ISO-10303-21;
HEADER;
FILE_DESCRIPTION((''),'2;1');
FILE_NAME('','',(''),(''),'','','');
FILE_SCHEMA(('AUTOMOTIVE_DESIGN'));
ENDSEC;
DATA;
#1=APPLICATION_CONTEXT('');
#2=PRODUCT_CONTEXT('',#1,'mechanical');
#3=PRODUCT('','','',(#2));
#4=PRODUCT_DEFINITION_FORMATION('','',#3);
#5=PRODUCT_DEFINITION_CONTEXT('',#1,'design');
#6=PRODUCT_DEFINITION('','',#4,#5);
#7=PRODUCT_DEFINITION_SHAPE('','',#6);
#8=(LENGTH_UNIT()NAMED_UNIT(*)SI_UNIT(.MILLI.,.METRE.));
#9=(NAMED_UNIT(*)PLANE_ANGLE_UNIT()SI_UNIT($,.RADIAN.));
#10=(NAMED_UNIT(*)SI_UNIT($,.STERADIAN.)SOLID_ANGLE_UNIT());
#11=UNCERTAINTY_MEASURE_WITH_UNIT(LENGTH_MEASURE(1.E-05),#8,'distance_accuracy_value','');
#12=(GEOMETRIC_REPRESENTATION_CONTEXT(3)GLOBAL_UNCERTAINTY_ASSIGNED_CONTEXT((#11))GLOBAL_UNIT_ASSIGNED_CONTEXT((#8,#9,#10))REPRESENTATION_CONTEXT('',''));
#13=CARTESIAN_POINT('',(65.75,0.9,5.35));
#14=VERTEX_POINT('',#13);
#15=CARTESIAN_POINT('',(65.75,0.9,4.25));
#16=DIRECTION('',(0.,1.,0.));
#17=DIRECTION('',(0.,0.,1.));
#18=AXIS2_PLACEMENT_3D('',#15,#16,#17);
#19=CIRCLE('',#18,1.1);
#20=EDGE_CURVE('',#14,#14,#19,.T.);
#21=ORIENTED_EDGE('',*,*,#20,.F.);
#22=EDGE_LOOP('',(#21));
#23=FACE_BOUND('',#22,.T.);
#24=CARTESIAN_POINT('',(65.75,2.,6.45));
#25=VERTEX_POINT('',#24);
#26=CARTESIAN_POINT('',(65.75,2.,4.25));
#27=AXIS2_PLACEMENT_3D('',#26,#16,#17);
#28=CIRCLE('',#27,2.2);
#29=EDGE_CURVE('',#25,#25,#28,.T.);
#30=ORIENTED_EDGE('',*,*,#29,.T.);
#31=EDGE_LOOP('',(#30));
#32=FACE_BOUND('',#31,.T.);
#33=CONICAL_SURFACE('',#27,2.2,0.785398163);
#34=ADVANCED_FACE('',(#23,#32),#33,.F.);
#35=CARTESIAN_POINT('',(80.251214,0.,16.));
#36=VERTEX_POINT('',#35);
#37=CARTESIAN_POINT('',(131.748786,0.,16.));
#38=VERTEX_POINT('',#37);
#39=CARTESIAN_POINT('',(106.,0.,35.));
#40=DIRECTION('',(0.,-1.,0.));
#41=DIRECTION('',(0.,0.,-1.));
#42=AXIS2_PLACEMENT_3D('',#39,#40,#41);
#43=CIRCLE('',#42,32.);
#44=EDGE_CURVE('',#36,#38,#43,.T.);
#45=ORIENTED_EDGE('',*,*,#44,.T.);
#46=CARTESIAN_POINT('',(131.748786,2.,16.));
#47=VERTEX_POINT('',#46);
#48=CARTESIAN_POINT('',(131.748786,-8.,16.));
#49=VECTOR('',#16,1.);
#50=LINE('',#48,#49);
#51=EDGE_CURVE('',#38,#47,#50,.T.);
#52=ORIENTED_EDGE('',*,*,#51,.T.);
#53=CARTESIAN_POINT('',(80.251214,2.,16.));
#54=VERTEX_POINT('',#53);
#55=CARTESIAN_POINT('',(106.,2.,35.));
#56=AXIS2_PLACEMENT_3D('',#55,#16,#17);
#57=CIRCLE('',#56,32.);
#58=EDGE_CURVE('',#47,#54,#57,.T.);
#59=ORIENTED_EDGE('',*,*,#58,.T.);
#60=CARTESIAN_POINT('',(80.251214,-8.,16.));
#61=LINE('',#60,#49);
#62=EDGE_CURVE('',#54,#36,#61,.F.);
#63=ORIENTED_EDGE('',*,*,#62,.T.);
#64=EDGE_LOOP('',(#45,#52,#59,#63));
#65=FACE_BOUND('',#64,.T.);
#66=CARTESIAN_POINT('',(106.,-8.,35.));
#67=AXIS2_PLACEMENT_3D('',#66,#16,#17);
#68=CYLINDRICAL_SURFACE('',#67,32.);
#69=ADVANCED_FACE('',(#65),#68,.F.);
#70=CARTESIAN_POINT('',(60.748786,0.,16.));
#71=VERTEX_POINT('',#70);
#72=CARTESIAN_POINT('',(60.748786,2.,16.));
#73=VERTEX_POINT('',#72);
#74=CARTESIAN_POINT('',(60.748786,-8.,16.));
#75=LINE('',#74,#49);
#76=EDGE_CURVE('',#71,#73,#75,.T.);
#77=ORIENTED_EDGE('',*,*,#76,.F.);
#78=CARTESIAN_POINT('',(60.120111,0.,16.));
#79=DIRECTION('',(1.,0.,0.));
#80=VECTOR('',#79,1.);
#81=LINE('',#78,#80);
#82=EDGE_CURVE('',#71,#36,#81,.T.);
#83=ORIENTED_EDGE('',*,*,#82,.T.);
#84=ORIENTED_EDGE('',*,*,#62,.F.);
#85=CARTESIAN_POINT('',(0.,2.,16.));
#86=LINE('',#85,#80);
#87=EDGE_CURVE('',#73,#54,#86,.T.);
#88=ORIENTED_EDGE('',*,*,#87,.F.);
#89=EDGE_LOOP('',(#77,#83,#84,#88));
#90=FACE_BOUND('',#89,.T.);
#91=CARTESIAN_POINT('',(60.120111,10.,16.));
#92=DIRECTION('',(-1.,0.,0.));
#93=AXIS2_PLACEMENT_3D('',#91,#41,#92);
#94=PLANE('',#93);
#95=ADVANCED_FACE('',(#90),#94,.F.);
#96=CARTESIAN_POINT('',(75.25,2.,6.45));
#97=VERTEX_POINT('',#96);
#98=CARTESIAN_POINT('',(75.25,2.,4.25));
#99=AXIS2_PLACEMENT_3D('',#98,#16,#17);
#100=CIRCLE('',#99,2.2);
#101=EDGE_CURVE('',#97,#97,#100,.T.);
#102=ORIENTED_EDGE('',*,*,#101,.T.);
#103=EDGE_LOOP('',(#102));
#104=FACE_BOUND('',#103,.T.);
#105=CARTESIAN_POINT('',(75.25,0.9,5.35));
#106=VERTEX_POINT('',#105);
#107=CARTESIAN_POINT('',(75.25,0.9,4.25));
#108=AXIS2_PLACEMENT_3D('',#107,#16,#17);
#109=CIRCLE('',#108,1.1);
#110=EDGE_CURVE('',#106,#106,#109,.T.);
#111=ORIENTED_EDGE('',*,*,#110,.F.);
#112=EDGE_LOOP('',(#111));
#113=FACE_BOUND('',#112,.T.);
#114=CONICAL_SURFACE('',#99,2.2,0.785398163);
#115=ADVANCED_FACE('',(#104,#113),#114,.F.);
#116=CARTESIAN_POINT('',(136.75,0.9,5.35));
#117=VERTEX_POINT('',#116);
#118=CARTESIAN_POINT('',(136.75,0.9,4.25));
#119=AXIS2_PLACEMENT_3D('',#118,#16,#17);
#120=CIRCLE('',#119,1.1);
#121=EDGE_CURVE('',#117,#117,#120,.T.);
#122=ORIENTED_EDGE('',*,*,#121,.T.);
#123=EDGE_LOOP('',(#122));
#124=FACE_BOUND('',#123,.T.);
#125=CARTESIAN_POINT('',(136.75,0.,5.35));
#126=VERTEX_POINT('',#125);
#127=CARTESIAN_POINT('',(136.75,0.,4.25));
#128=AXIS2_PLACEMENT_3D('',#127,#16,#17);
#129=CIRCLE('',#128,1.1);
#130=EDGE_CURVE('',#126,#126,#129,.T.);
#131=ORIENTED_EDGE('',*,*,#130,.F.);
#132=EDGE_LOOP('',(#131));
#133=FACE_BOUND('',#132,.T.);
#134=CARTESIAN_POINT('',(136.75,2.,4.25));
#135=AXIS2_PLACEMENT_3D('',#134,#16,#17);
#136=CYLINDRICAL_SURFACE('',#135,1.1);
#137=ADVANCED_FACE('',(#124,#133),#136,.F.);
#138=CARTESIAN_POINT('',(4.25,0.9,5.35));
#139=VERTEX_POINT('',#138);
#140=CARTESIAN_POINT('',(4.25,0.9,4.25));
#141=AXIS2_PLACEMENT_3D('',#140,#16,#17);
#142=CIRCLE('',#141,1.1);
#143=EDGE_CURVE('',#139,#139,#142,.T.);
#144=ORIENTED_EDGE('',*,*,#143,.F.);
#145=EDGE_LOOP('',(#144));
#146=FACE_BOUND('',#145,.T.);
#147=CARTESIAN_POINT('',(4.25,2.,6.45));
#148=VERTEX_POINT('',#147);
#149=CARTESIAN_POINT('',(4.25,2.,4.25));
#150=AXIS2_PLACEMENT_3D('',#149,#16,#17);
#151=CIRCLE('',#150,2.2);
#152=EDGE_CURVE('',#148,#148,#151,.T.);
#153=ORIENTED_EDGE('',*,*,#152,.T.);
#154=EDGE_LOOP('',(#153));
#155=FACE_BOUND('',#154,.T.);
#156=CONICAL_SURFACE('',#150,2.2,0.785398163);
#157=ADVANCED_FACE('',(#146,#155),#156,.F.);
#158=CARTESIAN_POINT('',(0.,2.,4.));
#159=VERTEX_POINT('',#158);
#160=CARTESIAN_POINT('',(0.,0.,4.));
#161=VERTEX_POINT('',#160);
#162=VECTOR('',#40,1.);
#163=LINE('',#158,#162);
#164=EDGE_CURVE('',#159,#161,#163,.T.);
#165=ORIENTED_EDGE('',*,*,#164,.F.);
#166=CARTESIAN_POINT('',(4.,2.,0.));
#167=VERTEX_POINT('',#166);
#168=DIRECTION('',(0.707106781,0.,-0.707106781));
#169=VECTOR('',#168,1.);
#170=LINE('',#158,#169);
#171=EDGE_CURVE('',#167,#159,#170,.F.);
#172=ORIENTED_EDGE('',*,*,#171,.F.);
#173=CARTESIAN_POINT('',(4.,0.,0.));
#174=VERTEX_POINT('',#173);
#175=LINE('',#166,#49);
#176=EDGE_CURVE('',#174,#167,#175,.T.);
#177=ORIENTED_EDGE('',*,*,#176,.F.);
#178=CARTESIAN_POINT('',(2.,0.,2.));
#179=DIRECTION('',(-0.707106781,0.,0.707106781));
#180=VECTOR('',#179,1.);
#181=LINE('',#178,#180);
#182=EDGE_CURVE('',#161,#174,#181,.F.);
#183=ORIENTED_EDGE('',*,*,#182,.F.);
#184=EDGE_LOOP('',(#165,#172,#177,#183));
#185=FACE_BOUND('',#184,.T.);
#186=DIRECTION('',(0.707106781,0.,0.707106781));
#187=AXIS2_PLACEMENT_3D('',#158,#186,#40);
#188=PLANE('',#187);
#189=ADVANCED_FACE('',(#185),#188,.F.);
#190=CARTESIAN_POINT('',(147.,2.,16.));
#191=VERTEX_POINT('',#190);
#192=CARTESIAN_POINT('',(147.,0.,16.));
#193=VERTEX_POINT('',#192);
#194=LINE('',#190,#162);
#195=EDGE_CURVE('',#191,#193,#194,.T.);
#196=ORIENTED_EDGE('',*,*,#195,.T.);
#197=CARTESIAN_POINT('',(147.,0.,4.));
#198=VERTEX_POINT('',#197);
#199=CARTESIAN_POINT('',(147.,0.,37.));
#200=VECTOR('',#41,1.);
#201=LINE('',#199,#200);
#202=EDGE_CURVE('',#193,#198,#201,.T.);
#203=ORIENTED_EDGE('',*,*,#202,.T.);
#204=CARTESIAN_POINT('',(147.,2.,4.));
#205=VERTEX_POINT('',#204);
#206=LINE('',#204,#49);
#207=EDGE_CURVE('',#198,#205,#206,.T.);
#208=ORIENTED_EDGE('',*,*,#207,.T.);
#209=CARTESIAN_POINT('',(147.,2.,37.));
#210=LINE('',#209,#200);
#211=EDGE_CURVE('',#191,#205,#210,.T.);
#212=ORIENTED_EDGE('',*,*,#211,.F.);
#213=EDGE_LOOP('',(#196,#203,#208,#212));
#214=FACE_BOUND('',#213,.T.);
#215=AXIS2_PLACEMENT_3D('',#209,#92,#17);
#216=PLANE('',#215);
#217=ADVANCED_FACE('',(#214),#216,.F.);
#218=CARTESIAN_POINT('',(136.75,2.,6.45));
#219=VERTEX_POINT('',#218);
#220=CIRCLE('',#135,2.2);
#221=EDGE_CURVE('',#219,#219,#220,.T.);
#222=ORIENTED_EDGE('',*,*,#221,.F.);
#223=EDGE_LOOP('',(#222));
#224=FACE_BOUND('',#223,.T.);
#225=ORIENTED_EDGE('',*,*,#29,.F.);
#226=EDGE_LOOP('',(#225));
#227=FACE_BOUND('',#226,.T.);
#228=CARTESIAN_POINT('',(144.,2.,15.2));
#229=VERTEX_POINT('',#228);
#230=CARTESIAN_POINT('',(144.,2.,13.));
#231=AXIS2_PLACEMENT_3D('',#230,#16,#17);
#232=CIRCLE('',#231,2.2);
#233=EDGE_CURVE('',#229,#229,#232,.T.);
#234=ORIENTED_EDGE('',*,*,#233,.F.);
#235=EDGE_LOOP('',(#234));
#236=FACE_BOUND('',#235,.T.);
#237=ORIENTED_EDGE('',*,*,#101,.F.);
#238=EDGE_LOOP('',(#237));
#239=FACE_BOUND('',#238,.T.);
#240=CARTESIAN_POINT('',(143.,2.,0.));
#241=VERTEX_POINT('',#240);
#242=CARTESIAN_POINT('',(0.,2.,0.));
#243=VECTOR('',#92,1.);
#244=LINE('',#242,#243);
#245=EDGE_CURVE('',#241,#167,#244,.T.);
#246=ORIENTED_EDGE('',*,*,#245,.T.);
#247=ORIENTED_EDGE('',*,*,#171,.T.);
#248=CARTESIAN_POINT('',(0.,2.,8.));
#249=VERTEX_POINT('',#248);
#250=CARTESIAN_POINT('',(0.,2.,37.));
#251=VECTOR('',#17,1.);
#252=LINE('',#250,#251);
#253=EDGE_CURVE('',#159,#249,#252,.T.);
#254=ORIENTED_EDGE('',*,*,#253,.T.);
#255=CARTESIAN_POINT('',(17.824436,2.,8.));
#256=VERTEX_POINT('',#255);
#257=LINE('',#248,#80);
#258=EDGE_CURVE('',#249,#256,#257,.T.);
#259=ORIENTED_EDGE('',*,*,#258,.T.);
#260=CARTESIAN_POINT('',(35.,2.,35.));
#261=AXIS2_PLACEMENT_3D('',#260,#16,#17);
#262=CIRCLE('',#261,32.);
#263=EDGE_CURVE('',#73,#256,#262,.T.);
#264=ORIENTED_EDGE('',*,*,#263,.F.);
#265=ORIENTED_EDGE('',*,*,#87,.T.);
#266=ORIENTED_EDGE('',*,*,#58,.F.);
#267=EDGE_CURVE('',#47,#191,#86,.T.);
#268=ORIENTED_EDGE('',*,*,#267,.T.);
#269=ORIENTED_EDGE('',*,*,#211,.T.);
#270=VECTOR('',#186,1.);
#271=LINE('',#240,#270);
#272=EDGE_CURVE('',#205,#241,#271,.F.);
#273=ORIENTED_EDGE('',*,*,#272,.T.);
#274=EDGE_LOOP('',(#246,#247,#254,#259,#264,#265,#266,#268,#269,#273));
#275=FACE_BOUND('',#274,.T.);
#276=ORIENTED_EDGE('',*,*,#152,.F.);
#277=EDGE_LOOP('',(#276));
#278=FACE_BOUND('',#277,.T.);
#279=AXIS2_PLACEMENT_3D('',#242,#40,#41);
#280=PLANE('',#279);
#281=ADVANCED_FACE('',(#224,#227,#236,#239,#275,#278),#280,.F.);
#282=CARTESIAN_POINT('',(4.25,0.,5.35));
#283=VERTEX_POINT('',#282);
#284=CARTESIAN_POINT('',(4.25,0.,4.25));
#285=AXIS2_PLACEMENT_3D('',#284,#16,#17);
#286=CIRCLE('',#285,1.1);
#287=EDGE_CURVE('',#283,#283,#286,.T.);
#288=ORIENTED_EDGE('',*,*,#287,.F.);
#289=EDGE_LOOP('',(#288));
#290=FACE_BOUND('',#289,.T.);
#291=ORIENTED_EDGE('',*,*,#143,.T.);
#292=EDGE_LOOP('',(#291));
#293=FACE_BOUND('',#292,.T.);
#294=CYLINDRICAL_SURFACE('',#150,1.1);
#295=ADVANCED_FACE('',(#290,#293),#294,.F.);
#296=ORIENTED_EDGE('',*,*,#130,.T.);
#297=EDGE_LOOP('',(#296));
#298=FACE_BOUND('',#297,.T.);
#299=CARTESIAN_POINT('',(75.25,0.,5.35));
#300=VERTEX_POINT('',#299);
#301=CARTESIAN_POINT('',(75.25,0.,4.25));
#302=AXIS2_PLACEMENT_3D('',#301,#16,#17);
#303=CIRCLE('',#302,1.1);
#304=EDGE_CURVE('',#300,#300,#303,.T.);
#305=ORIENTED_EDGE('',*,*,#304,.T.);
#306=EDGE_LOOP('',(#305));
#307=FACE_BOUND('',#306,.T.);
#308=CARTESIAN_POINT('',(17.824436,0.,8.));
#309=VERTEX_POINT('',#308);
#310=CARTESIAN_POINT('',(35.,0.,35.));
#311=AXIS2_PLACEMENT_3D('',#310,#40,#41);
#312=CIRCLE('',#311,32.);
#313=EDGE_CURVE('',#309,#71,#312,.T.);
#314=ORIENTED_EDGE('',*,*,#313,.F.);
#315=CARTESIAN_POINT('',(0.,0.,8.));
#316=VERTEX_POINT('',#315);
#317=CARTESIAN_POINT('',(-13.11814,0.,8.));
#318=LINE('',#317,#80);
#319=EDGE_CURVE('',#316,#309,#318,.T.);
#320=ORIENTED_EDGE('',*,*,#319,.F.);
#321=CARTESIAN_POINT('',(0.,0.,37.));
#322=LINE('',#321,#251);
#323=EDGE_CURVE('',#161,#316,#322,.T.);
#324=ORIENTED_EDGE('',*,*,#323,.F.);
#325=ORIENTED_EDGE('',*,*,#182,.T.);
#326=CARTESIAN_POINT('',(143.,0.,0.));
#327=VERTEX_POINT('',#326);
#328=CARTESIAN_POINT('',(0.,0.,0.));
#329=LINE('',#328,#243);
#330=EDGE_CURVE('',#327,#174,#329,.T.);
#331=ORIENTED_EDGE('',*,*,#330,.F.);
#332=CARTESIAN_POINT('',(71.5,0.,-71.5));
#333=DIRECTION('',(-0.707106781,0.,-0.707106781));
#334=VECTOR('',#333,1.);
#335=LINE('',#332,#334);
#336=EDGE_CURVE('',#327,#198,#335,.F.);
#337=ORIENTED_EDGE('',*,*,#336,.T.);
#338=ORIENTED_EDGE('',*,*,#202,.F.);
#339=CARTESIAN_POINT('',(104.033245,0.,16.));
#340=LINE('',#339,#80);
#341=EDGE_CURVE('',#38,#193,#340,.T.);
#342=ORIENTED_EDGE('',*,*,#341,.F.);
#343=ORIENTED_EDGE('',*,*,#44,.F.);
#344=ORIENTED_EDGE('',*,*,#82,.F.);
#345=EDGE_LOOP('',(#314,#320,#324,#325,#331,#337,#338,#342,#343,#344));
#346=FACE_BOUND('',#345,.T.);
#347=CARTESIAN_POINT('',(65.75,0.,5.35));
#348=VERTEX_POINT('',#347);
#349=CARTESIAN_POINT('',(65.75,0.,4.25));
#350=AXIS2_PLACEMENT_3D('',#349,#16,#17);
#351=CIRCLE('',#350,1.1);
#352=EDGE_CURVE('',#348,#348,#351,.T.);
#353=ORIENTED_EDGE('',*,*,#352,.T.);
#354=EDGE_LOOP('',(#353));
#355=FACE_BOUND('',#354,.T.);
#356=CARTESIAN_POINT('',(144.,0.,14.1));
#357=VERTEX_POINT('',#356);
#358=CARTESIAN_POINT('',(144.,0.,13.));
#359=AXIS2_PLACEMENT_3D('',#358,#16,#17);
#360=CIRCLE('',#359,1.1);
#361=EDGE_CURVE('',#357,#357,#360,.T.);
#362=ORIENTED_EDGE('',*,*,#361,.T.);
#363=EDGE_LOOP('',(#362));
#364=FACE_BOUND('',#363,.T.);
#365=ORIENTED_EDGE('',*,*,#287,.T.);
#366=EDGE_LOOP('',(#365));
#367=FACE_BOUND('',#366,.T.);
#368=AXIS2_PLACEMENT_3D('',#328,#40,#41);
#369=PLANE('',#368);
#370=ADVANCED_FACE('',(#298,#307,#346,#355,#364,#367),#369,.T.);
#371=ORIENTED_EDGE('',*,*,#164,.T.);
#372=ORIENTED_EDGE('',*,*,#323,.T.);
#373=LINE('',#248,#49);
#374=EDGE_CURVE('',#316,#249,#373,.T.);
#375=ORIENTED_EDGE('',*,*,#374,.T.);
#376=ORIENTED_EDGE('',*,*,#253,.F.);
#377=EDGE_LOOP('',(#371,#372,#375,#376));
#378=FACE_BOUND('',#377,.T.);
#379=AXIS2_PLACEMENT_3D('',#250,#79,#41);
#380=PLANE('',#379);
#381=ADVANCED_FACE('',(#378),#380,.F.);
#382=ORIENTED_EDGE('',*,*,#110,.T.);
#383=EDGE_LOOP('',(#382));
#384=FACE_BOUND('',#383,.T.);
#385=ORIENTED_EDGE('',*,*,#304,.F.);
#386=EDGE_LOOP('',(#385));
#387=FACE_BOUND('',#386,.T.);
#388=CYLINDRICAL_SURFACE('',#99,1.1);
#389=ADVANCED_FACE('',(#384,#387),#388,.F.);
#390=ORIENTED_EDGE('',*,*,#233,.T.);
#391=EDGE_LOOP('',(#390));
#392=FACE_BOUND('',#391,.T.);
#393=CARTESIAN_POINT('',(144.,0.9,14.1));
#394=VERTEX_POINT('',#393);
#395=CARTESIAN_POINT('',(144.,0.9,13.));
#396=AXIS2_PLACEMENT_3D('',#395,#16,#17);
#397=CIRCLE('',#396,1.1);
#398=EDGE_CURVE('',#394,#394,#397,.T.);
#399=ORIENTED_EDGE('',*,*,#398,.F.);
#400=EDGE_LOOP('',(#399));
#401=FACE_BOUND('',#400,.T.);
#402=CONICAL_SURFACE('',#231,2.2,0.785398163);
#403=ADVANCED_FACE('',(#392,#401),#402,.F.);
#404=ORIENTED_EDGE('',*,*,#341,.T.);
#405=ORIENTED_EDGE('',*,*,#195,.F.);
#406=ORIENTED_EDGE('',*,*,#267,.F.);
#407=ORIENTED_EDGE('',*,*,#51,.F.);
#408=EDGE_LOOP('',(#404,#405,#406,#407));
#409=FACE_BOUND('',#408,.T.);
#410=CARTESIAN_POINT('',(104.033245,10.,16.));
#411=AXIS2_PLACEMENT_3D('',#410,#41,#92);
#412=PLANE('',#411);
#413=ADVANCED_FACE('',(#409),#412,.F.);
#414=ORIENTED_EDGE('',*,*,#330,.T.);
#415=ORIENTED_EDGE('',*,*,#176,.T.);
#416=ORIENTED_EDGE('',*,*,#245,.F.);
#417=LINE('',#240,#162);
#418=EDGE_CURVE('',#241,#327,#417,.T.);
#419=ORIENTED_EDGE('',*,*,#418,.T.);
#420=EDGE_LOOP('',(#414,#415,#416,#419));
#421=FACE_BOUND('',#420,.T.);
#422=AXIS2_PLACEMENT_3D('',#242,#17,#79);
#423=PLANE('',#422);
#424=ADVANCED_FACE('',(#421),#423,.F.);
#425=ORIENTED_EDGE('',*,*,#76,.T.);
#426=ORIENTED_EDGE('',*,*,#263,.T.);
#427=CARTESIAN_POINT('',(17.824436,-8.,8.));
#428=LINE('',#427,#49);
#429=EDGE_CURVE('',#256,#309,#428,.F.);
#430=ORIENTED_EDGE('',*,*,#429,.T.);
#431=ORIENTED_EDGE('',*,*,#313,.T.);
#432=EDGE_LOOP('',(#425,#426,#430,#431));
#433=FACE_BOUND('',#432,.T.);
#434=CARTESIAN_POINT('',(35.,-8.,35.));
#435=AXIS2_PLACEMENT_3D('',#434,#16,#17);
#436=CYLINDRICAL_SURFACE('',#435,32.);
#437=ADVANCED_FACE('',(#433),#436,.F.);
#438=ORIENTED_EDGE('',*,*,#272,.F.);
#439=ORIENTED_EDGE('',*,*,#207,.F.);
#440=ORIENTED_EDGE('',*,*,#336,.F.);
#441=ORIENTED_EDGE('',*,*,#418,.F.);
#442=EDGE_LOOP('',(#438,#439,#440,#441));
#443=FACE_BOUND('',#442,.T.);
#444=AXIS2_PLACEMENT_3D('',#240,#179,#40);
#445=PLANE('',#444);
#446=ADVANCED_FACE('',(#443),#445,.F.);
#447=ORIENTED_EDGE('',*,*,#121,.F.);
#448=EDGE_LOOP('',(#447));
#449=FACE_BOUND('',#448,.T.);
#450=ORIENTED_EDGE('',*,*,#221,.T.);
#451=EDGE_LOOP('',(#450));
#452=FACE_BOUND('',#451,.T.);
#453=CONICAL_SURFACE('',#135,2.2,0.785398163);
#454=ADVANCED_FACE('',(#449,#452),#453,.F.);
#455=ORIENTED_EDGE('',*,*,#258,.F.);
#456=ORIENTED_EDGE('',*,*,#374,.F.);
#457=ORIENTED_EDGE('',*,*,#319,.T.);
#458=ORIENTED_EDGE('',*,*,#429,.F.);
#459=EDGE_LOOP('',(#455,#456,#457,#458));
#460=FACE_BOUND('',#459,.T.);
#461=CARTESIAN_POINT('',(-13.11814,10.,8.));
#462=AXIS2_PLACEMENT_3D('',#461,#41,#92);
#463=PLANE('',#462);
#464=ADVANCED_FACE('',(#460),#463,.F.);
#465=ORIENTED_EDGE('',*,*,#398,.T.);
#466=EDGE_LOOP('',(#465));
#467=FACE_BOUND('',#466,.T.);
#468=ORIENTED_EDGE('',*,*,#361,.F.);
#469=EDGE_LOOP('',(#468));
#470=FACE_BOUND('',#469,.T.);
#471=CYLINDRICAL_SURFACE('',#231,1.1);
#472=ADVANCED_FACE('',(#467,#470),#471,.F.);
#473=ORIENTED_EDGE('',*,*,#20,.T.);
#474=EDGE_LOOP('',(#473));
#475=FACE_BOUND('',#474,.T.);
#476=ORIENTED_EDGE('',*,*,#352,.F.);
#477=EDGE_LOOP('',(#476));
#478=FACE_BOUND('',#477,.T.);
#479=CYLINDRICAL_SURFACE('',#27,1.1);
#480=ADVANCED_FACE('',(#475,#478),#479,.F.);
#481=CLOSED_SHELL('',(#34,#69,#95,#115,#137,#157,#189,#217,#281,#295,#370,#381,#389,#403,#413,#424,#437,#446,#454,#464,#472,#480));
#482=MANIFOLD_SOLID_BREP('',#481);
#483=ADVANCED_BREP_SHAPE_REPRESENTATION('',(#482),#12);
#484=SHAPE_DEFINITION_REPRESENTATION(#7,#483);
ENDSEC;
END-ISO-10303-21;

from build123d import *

# Parameters (mm, degrees)
SKETCH_1_W               = 147
SKETCH_1_H               = 37
EXTRUDE_1_DEPTH          = 2
SKETCH_2_R               = 1
CUT_EXTRUDE_604_DEPTH    = 2
SKETCH_5_R               = 1
SKETCH_5_R_2             = 32
FANS_DEPTH               = 10
CHAMFER_1_SIZE           = 4
SKETCH_6_W               = 44.721110511
SKETCH_6_H               = 34.816534288
SKETCH_6_W_2             = 53.357784661
SKETCH_6_W_3             = 25.346191928
SKETCH_6_H_2             = 23.882814665
CUT_EXTRUDE_1_DEPTH      = 10
HOLE_WIZARD_1_AT_2_COUNT = 2
HOLE_WIZARD_1_AT_2_PITCH = 61.5
HOLE_WIZARD_1_AT_3_COUNT = 2
HOLE_WIZARD_1_AT_3_PITCH = 71
HOLE_WIZARD_1_AT_4_COUNT = 2
HOLE_WIZARD_1_AT_4_PITCH = 132.5
HOLE_WIZARD_1_AT_5_COUNT = 2
HOLE_WIZARD_1_AT_5_PITCH = 140.023658715


with BuildPart() as part:
    # 草图1 → 凸台-拉伸1 (new body)
    with BuildSketch(Plane(origin=(0, 0, 0), x_dir=(1, 0, 0), z_dir=(0, 1, 0))):
        with Locations((73.5, -18.5)):
            Rectangle(SKETCH_1_W, SKETCH_1_H)
    extrude(amount=EXTRUDE_1_DEPTH)

    # 草图2 → Cut-Extrude 604 (cut)
    with BuildSketch(Plane(origin=(0, 2, 0), x_dir=(1, 0, 0), z_dir=(0, 1, 0))):
        with Locations(Location((144, -13, 0), (0, 0, 270))):
            Circle(SKETCH_2_R)
    extrude(amount=-CUT_EXTRUDE_604_DEPTH, mode=Mode.SUBTRACT)

    # 草图5 → Fans (cut)
    with BuildSketch(Plane(origin=(0, 2, 0), x_dir=(1, 0, 0), z_dir=(0, 1, 0))):
        with Locations(Location((75.25, -4.25, 0), (0, 0, 270))):
            Circle(SKETCH_5_R)
        with Locations(Location((136.75, -4.25, 0), (0, 0, 270))):
            Circle(SKETCH_5_R)
        with Locations((106, -35)):
            Circle(SKETCH_5_R_2)
        with Locations(Location((4.25, -4.25, 0), (0, 0, 270))):
            Circle(SKETCH_5_R)
        with Locations(Location((65.75, -4.25, 0), (0, 0, 270))):
            Circle(SKETCH_5_R)
        with Locations((35, -35)):
            Circle(SKETCH_5_R_2)
    extrude(amount=-FANS_DEPTH, mode=Mode.SUBTRACT)

    # 倒角1
    chamfer_1_edges = [part.edges().sort_by_distance(p)[0] for p in [
        (0, 1, 0),
        (147, 1, 0),
    ]]
    chamfer(chamfer_1_edges, length=CHAMFER_1_SIZE)

    # 草图6 → 切除-拉伸1 (cut)
    with BuildSketch(Plane(origin=(0, 0, 0), x_dir=(-1, 0, 0), z_dir=(0, -1, 0))):
        with Locations((-9.242414788, -25.408267144)):
            Rectangle(SKETCH_6_W, SKETCH_6_H)
        with Locations((-130.712137278, -33.408267144)):
            Rectangle(SKETCH_6_W_2, SKETCH_6_H)
        with Locations((-72.793206756, -27.941407333)):
            Rectangle(SKETCH_6_W_3, SKETCH_6_H_2)
    extrude(amount=-CUT_EXTRUDE_1_DEPTH, mode=Mode.SUBTRACT)

    # 草图8 → 打孔尺寸(%根据)内六角花形沉头螺钉的类型1 (revolve, cut)
    with BuildSketch(Plane(origin=(4.25, 2, 4.25), x_dir=(0, 0, 1), z_dir=(1, 0, 0))):
        Polygon((0, 0), (0, 2), (1.1, 2), (1.1, 1.1), (2.2, 0), align=None)
    hole_wizard_1 = revolve(axis=Axis((4.25, 8.35, 4.25), (0, -1, 0)), mode=Mode.SUBTRACT)

    # 打孔尺寸(%根据)内六角花形沉头螺钉的类型1 at 2: 打孔尺寸(%根据)内六角花形沉头螺钉的类型1 ×2
    with Locations(*[(i * HOLE_WIZARD_1_AT_2_PITCH, 0, 0) for i in range(1, HOLE_WIZARD_1_AT_2_COUNT)]):
        add(hole_wizard_1, mode=Mode.SUBTRACT)

    # 打孔尺寸(%根据)内六角花形沉头螺钉的类型1 at 3: 打孔尺寸(%根据)内六角花形沉头螺钉的类型1 ×2
    with Locations(*[(i * HOLE_WIZARD_1_AT_3_PITCH, 0, 0) for i in range(1, HOLE_WIZARD_1_AT_3_COUNT)]):
        add(hole_wizard_1, mode=Mode.SUBTRACT)

    # 打孔尺寸(%根据)内六角花形沉头螺钉的类型1 at 4: 打孔尺寸(%根据)内六角花形沉头螺钉的类型1 ×2
    with Locations(*[(i * HOLE_WIZARD_1_AT_4_PITCH, 0, 0) for i in range(1, HOLE_WIZARD_1_AT_4_COUNT)]):
        add(hole_wizard_1, mode=Mode.SUBTRACT)

    # 打孔尺寸(%根据)内六角花形沉头螺钉的类型1 at 5: 打孔尺寸(%根据)内六角花形沉头螺钉的类型1 ×2
    with Locations(*[Vector(0.9980456251626064, 0, 0.062489439858123795) * (i * HOLE_WIZARD_1_AT_5_PITCH) for i in range(1, HOLE_WIZARD_1_AT_5_COUNT)]):
        add(hole_wizard_1, mode=Mode.SUBTRACT)


solid = part.part
